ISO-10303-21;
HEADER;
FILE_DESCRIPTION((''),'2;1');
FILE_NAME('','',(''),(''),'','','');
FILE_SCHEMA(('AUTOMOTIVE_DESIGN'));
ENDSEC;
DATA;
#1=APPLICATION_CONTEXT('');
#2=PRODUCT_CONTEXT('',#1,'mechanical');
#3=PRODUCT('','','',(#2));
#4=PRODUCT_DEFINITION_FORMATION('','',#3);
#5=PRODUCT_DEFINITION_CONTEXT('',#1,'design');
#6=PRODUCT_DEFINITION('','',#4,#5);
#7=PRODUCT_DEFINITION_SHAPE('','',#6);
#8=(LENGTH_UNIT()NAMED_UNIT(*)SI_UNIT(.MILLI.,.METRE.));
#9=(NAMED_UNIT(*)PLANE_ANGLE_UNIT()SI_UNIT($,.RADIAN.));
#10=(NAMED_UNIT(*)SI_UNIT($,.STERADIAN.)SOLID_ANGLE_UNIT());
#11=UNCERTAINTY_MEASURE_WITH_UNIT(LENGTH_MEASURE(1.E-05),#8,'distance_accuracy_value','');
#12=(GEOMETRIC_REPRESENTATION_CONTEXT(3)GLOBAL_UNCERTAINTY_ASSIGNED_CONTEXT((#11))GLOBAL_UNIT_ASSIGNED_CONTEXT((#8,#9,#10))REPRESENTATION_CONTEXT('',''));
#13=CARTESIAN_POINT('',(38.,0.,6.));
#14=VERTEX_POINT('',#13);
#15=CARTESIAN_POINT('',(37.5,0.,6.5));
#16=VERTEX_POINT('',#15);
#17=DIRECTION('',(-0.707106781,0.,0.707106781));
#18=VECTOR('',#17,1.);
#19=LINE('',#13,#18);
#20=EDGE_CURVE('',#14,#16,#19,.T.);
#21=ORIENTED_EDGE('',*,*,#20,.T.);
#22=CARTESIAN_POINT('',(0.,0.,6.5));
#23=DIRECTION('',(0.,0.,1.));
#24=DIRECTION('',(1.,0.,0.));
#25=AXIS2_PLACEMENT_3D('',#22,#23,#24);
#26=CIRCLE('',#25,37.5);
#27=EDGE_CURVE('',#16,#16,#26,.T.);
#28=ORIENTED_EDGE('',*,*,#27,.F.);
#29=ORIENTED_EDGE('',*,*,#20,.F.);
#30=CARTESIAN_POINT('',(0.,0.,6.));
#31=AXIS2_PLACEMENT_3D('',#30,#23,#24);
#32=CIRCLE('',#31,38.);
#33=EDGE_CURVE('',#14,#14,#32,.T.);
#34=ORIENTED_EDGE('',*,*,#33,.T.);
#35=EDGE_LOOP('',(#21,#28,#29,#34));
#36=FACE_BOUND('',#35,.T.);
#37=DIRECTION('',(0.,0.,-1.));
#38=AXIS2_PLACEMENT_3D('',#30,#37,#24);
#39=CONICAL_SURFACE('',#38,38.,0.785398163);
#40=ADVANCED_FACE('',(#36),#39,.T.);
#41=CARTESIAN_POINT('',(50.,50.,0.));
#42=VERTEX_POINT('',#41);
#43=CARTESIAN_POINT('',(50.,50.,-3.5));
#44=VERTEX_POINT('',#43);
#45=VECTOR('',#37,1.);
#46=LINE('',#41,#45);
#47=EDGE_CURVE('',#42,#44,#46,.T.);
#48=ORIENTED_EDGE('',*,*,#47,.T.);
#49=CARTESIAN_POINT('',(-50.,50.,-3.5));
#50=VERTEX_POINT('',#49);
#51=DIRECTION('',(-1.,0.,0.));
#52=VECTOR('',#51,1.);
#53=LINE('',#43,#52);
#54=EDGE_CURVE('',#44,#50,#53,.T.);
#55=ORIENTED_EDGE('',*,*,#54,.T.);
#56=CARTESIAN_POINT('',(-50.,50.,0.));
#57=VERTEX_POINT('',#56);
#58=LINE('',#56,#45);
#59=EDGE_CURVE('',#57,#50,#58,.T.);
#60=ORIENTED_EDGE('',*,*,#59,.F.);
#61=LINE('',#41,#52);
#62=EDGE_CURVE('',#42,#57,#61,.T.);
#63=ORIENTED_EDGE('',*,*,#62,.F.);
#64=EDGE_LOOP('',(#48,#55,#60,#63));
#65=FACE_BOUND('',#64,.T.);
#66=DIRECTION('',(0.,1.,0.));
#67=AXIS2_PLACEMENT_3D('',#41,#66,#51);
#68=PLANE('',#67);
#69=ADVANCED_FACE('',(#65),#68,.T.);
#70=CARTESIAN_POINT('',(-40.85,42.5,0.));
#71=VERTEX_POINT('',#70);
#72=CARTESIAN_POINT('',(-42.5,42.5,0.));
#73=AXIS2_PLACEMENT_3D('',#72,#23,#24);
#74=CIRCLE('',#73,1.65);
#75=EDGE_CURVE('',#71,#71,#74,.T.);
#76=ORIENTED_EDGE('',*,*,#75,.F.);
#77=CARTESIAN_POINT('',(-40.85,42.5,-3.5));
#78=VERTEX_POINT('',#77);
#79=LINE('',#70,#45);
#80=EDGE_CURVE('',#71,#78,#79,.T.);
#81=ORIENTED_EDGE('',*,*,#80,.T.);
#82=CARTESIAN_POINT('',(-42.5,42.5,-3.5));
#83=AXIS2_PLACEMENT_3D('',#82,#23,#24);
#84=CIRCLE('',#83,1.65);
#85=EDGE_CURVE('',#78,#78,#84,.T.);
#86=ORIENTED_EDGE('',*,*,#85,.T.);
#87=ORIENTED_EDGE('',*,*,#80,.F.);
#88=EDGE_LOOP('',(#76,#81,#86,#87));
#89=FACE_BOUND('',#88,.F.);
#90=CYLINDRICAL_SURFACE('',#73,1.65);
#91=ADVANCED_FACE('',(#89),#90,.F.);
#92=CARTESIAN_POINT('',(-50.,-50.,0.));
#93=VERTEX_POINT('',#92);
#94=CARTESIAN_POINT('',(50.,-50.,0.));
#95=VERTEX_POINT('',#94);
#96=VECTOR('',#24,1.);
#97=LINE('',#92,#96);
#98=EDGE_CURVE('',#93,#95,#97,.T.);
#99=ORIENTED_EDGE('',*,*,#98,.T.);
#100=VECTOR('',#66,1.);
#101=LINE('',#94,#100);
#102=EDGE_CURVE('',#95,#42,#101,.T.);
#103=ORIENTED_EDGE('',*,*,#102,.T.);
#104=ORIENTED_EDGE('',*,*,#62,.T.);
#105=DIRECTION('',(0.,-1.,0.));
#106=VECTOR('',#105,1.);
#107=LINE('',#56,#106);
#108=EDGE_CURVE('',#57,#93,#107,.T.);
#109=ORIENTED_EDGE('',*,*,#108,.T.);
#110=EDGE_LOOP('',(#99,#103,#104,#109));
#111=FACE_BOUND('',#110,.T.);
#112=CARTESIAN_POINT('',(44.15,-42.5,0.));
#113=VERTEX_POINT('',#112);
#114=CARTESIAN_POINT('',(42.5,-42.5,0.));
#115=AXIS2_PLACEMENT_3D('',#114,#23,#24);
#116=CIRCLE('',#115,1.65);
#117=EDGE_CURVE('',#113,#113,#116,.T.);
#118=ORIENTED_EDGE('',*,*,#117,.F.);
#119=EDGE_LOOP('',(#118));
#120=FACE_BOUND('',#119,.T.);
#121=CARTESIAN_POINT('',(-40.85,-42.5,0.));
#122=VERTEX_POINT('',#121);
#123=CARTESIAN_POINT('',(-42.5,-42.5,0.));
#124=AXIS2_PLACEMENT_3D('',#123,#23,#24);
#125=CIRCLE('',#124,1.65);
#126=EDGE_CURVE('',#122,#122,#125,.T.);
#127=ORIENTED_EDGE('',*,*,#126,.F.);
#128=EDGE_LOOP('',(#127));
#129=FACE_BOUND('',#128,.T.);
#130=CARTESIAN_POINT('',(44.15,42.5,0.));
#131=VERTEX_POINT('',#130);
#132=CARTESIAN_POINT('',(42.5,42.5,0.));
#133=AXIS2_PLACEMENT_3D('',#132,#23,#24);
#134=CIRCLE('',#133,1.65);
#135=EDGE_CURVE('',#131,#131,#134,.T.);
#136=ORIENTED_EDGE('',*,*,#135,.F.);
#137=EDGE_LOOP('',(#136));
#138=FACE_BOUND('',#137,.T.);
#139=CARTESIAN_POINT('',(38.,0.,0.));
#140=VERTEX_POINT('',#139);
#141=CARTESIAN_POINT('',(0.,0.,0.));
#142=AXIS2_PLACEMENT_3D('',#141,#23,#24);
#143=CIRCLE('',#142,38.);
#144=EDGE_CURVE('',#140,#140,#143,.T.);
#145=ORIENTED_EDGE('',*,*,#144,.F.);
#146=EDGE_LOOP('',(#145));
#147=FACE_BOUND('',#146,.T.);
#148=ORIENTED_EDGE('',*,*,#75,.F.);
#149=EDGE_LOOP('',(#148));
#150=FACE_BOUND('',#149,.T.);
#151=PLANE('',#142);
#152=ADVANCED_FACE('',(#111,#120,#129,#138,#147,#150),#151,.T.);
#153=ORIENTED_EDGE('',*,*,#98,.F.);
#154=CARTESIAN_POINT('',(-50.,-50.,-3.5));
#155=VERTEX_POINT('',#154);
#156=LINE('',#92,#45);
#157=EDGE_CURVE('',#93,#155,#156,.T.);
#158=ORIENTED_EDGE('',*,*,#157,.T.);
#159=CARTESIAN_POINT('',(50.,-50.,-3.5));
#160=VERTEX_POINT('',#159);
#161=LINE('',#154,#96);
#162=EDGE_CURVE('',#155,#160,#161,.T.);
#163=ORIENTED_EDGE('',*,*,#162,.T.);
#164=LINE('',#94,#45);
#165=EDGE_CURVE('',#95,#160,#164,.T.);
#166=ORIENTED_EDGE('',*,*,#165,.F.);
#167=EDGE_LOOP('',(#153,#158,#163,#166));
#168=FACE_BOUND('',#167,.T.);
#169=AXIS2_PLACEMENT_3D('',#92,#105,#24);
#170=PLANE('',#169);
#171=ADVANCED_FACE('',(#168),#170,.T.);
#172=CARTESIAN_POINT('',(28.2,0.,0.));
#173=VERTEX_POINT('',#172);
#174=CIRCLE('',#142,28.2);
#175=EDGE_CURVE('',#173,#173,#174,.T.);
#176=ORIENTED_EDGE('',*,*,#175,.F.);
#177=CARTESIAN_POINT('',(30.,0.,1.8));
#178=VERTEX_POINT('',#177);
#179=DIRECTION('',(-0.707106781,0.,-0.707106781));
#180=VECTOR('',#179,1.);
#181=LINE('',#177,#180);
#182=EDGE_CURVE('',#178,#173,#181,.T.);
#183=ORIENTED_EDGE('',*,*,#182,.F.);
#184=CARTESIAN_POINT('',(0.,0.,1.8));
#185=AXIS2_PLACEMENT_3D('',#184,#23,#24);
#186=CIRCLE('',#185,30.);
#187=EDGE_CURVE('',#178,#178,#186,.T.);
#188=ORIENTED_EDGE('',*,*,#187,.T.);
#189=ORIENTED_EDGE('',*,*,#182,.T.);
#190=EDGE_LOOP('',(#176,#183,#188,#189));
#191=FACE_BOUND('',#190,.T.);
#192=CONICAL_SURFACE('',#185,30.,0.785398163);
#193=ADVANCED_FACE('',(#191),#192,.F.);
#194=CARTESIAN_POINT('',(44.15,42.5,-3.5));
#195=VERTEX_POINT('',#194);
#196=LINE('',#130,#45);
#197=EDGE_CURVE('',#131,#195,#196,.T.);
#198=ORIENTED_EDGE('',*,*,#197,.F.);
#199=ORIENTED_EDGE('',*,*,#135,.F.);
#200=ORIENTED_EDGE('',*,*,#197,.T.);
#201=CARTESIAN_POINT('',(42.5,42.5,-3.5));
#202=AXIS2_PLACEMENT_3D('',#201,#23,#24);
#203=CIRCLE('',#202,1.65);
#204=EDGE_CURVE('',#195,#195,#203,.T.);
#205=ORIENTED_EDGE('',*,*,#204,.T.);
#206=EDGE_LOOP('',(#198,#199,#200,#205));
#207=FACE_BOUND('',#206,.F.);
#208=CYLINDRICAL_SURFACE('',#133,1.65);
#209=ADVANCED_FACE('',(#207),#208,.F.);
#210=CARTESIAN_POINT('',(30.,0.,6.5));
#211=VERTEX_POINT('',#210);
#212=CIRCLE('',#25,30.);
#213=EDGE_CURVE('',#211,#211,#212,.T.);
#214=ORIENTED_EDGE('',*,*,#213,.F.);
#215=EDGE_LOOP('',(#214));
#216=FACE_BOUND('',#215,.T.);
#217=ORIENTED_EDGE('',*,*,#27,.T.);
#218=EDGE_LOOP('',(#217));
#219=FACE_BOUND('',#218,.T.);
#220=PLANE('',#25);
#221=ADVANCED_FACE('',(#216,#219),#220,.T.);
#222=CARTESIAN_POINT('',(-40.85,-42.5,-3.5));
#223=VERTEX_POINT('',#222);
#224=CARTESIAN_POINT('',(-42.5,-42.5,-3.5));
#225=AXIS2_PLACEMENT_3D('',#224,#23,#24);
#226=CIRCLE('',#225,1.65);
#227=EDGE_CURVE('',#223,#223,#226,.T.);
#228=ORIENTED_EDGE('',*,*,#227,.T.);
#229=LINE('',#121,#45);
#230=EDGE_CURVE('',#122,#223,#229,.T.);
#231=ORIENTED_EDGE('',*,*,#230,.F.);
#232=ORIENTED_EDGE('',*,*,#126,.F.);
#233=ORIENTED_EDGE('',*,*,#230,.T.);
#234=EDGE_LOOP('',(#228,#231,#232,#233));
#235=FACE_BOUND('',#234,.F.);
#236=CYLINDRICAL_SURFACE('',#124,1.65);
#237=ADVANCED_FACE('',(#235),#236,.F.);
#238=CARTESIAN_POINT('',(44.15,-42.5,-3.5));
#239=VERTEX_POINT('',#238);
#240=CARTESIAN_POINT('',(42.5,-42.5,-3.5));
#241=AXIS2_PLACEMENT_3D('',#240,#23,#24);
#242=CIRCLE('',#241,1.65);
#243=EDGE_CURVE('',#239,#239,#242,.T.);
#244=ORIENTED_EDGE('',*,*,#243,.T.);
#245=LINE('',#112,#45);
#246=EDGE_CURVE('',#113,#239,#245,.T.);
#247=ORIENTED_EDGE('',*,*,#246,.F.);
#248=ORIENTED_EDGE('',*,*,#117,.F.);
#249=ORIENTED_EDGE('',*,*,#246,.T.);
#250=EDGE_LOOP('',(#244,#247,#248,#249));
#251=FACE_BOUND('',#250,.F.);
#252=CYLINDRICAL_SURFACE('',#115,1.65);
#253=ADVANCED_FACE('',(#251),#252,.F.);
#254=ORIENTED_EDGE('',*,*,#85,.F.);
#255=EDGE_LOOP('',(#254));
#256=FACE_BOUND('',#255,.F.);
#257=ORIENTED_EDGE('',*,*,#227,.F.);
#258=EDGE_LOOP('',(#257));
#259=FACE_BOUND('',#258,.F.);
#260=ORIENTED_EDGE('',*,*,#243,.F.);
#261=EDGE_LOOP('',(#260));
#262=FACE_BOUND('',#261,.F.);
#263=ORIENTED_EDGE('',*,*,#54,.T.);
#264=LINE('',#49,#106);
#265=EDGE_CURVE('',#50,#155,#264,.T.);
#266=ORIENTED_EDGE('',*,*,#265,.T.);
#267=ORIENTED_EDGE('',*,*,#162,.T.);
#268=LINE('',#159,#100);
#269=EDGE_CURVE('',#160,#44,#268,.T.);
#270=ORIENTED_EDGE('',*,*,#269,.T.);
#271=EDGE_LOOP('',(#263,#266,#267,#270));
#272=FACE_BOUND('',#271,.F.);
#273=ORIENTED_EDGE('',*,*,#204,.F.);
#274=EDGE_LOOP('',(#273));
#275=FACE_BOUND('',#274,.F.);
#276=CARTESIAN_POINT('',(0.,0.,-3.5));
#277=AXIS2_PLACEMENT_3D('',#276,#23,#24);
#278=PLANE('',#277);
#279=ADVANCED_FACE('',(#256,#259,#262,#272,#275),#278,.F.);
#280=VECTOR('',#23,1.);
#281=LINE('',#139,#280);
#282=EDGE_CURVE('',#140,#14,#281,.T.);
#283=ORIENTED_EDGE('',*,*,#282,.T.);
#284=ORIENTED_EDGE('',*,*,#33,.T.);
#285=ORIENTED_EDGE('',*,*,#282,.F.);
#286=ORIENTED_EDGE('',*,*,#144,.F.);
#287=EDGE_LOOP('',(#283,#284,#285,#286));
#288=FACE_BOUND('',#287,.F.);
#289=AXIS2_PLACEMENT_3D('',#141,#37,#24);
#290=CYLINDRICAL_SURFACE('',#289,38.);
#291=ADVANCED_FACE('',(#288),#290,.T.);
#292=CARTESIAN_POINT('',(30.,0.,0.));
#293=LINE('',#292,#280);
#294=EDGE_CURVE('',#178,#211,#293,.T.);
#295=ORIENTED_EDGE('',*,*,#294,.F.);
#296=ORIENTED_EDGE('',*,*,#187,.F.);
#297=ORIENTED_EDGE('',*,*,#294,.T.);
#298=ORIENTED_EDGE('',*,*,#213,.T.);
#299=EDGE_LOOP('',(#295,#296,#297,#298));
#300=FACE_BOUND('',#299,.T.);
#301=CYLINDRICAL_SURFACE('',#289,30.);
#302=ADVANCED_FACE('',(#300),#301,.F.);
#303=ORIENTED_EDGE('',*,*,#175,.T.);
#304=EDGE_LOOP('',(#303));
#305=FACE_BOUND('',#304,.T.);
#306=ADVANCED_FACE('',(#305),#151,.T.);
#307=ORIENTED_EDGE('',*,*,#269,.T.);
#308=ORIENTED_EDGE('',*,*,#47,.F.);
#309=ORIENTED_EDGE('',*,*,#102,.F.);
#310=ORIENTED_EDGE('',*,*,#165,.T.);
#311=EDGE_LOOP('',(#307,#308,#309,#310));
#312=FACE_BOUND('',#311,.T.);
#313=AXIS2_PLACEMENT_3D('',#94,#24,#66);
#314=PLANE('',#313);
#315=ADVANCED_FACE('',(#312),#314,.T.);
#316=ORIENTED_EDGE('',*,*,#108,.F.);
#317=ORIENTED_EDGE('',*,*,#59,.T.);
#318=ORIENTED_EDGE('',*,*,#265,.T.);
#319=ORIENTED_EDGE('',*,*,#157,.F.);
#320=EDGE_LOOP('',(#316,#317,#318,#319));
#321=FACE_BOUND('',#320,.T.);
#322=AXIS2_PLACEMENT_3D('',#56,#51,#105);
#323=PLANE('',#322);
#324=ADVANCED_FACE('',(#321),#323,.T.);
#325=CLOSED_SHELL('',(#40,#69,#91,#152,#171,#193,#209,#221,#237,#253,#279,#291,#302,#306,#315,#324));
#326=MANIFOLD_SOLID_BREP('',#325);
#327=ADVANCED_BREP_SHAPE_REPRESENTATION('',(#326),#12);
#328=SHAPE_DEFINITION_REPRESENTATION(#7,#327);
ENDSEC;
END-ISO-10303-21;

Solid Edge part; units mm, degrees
sketch "Sketch1" plane through (0, 0, 0) normal (0, 0, 1) x (1, 0, 0)
  circle A0 centre (42.5, 42.5) radius 1.65
  circle A1 centre (-42.5, 42.5) radius 1.65
  circle A2 centre (-42.5, -42.5) radius 1.65
  circle A3 centre (42.5, -42.5) radius 1.65
  line L0 (50, 50) -> (-50, 50)
  line L1 (-50, 50) -> (-50, -50)
  line L2 (-50, -50) -> (50, -50)
  line L3 (50, -50) -> (50, 50)
extrude "Protrusion1" add sketch "Sketch1" against normal blind 3.5
sketch "Sketch2" plane through (0, 0, 0) normal (0, 0, 1) x (1, 0, 0)
  circle A0 centre (0, 0) radius 30
  circle A1 centre (0, 0) radius 38
extrude "ExtrudedProtrusion_2" add sketch "Sketch2" along normal blind 6.5
chamfer "Chamfer_1" distance 0.5 angle 45 1 edges at (-38, 0, 6.5)
chamfer "Chamfer_2" distance 1.8 angle 45 1 edges at (-30, 0, 0)
